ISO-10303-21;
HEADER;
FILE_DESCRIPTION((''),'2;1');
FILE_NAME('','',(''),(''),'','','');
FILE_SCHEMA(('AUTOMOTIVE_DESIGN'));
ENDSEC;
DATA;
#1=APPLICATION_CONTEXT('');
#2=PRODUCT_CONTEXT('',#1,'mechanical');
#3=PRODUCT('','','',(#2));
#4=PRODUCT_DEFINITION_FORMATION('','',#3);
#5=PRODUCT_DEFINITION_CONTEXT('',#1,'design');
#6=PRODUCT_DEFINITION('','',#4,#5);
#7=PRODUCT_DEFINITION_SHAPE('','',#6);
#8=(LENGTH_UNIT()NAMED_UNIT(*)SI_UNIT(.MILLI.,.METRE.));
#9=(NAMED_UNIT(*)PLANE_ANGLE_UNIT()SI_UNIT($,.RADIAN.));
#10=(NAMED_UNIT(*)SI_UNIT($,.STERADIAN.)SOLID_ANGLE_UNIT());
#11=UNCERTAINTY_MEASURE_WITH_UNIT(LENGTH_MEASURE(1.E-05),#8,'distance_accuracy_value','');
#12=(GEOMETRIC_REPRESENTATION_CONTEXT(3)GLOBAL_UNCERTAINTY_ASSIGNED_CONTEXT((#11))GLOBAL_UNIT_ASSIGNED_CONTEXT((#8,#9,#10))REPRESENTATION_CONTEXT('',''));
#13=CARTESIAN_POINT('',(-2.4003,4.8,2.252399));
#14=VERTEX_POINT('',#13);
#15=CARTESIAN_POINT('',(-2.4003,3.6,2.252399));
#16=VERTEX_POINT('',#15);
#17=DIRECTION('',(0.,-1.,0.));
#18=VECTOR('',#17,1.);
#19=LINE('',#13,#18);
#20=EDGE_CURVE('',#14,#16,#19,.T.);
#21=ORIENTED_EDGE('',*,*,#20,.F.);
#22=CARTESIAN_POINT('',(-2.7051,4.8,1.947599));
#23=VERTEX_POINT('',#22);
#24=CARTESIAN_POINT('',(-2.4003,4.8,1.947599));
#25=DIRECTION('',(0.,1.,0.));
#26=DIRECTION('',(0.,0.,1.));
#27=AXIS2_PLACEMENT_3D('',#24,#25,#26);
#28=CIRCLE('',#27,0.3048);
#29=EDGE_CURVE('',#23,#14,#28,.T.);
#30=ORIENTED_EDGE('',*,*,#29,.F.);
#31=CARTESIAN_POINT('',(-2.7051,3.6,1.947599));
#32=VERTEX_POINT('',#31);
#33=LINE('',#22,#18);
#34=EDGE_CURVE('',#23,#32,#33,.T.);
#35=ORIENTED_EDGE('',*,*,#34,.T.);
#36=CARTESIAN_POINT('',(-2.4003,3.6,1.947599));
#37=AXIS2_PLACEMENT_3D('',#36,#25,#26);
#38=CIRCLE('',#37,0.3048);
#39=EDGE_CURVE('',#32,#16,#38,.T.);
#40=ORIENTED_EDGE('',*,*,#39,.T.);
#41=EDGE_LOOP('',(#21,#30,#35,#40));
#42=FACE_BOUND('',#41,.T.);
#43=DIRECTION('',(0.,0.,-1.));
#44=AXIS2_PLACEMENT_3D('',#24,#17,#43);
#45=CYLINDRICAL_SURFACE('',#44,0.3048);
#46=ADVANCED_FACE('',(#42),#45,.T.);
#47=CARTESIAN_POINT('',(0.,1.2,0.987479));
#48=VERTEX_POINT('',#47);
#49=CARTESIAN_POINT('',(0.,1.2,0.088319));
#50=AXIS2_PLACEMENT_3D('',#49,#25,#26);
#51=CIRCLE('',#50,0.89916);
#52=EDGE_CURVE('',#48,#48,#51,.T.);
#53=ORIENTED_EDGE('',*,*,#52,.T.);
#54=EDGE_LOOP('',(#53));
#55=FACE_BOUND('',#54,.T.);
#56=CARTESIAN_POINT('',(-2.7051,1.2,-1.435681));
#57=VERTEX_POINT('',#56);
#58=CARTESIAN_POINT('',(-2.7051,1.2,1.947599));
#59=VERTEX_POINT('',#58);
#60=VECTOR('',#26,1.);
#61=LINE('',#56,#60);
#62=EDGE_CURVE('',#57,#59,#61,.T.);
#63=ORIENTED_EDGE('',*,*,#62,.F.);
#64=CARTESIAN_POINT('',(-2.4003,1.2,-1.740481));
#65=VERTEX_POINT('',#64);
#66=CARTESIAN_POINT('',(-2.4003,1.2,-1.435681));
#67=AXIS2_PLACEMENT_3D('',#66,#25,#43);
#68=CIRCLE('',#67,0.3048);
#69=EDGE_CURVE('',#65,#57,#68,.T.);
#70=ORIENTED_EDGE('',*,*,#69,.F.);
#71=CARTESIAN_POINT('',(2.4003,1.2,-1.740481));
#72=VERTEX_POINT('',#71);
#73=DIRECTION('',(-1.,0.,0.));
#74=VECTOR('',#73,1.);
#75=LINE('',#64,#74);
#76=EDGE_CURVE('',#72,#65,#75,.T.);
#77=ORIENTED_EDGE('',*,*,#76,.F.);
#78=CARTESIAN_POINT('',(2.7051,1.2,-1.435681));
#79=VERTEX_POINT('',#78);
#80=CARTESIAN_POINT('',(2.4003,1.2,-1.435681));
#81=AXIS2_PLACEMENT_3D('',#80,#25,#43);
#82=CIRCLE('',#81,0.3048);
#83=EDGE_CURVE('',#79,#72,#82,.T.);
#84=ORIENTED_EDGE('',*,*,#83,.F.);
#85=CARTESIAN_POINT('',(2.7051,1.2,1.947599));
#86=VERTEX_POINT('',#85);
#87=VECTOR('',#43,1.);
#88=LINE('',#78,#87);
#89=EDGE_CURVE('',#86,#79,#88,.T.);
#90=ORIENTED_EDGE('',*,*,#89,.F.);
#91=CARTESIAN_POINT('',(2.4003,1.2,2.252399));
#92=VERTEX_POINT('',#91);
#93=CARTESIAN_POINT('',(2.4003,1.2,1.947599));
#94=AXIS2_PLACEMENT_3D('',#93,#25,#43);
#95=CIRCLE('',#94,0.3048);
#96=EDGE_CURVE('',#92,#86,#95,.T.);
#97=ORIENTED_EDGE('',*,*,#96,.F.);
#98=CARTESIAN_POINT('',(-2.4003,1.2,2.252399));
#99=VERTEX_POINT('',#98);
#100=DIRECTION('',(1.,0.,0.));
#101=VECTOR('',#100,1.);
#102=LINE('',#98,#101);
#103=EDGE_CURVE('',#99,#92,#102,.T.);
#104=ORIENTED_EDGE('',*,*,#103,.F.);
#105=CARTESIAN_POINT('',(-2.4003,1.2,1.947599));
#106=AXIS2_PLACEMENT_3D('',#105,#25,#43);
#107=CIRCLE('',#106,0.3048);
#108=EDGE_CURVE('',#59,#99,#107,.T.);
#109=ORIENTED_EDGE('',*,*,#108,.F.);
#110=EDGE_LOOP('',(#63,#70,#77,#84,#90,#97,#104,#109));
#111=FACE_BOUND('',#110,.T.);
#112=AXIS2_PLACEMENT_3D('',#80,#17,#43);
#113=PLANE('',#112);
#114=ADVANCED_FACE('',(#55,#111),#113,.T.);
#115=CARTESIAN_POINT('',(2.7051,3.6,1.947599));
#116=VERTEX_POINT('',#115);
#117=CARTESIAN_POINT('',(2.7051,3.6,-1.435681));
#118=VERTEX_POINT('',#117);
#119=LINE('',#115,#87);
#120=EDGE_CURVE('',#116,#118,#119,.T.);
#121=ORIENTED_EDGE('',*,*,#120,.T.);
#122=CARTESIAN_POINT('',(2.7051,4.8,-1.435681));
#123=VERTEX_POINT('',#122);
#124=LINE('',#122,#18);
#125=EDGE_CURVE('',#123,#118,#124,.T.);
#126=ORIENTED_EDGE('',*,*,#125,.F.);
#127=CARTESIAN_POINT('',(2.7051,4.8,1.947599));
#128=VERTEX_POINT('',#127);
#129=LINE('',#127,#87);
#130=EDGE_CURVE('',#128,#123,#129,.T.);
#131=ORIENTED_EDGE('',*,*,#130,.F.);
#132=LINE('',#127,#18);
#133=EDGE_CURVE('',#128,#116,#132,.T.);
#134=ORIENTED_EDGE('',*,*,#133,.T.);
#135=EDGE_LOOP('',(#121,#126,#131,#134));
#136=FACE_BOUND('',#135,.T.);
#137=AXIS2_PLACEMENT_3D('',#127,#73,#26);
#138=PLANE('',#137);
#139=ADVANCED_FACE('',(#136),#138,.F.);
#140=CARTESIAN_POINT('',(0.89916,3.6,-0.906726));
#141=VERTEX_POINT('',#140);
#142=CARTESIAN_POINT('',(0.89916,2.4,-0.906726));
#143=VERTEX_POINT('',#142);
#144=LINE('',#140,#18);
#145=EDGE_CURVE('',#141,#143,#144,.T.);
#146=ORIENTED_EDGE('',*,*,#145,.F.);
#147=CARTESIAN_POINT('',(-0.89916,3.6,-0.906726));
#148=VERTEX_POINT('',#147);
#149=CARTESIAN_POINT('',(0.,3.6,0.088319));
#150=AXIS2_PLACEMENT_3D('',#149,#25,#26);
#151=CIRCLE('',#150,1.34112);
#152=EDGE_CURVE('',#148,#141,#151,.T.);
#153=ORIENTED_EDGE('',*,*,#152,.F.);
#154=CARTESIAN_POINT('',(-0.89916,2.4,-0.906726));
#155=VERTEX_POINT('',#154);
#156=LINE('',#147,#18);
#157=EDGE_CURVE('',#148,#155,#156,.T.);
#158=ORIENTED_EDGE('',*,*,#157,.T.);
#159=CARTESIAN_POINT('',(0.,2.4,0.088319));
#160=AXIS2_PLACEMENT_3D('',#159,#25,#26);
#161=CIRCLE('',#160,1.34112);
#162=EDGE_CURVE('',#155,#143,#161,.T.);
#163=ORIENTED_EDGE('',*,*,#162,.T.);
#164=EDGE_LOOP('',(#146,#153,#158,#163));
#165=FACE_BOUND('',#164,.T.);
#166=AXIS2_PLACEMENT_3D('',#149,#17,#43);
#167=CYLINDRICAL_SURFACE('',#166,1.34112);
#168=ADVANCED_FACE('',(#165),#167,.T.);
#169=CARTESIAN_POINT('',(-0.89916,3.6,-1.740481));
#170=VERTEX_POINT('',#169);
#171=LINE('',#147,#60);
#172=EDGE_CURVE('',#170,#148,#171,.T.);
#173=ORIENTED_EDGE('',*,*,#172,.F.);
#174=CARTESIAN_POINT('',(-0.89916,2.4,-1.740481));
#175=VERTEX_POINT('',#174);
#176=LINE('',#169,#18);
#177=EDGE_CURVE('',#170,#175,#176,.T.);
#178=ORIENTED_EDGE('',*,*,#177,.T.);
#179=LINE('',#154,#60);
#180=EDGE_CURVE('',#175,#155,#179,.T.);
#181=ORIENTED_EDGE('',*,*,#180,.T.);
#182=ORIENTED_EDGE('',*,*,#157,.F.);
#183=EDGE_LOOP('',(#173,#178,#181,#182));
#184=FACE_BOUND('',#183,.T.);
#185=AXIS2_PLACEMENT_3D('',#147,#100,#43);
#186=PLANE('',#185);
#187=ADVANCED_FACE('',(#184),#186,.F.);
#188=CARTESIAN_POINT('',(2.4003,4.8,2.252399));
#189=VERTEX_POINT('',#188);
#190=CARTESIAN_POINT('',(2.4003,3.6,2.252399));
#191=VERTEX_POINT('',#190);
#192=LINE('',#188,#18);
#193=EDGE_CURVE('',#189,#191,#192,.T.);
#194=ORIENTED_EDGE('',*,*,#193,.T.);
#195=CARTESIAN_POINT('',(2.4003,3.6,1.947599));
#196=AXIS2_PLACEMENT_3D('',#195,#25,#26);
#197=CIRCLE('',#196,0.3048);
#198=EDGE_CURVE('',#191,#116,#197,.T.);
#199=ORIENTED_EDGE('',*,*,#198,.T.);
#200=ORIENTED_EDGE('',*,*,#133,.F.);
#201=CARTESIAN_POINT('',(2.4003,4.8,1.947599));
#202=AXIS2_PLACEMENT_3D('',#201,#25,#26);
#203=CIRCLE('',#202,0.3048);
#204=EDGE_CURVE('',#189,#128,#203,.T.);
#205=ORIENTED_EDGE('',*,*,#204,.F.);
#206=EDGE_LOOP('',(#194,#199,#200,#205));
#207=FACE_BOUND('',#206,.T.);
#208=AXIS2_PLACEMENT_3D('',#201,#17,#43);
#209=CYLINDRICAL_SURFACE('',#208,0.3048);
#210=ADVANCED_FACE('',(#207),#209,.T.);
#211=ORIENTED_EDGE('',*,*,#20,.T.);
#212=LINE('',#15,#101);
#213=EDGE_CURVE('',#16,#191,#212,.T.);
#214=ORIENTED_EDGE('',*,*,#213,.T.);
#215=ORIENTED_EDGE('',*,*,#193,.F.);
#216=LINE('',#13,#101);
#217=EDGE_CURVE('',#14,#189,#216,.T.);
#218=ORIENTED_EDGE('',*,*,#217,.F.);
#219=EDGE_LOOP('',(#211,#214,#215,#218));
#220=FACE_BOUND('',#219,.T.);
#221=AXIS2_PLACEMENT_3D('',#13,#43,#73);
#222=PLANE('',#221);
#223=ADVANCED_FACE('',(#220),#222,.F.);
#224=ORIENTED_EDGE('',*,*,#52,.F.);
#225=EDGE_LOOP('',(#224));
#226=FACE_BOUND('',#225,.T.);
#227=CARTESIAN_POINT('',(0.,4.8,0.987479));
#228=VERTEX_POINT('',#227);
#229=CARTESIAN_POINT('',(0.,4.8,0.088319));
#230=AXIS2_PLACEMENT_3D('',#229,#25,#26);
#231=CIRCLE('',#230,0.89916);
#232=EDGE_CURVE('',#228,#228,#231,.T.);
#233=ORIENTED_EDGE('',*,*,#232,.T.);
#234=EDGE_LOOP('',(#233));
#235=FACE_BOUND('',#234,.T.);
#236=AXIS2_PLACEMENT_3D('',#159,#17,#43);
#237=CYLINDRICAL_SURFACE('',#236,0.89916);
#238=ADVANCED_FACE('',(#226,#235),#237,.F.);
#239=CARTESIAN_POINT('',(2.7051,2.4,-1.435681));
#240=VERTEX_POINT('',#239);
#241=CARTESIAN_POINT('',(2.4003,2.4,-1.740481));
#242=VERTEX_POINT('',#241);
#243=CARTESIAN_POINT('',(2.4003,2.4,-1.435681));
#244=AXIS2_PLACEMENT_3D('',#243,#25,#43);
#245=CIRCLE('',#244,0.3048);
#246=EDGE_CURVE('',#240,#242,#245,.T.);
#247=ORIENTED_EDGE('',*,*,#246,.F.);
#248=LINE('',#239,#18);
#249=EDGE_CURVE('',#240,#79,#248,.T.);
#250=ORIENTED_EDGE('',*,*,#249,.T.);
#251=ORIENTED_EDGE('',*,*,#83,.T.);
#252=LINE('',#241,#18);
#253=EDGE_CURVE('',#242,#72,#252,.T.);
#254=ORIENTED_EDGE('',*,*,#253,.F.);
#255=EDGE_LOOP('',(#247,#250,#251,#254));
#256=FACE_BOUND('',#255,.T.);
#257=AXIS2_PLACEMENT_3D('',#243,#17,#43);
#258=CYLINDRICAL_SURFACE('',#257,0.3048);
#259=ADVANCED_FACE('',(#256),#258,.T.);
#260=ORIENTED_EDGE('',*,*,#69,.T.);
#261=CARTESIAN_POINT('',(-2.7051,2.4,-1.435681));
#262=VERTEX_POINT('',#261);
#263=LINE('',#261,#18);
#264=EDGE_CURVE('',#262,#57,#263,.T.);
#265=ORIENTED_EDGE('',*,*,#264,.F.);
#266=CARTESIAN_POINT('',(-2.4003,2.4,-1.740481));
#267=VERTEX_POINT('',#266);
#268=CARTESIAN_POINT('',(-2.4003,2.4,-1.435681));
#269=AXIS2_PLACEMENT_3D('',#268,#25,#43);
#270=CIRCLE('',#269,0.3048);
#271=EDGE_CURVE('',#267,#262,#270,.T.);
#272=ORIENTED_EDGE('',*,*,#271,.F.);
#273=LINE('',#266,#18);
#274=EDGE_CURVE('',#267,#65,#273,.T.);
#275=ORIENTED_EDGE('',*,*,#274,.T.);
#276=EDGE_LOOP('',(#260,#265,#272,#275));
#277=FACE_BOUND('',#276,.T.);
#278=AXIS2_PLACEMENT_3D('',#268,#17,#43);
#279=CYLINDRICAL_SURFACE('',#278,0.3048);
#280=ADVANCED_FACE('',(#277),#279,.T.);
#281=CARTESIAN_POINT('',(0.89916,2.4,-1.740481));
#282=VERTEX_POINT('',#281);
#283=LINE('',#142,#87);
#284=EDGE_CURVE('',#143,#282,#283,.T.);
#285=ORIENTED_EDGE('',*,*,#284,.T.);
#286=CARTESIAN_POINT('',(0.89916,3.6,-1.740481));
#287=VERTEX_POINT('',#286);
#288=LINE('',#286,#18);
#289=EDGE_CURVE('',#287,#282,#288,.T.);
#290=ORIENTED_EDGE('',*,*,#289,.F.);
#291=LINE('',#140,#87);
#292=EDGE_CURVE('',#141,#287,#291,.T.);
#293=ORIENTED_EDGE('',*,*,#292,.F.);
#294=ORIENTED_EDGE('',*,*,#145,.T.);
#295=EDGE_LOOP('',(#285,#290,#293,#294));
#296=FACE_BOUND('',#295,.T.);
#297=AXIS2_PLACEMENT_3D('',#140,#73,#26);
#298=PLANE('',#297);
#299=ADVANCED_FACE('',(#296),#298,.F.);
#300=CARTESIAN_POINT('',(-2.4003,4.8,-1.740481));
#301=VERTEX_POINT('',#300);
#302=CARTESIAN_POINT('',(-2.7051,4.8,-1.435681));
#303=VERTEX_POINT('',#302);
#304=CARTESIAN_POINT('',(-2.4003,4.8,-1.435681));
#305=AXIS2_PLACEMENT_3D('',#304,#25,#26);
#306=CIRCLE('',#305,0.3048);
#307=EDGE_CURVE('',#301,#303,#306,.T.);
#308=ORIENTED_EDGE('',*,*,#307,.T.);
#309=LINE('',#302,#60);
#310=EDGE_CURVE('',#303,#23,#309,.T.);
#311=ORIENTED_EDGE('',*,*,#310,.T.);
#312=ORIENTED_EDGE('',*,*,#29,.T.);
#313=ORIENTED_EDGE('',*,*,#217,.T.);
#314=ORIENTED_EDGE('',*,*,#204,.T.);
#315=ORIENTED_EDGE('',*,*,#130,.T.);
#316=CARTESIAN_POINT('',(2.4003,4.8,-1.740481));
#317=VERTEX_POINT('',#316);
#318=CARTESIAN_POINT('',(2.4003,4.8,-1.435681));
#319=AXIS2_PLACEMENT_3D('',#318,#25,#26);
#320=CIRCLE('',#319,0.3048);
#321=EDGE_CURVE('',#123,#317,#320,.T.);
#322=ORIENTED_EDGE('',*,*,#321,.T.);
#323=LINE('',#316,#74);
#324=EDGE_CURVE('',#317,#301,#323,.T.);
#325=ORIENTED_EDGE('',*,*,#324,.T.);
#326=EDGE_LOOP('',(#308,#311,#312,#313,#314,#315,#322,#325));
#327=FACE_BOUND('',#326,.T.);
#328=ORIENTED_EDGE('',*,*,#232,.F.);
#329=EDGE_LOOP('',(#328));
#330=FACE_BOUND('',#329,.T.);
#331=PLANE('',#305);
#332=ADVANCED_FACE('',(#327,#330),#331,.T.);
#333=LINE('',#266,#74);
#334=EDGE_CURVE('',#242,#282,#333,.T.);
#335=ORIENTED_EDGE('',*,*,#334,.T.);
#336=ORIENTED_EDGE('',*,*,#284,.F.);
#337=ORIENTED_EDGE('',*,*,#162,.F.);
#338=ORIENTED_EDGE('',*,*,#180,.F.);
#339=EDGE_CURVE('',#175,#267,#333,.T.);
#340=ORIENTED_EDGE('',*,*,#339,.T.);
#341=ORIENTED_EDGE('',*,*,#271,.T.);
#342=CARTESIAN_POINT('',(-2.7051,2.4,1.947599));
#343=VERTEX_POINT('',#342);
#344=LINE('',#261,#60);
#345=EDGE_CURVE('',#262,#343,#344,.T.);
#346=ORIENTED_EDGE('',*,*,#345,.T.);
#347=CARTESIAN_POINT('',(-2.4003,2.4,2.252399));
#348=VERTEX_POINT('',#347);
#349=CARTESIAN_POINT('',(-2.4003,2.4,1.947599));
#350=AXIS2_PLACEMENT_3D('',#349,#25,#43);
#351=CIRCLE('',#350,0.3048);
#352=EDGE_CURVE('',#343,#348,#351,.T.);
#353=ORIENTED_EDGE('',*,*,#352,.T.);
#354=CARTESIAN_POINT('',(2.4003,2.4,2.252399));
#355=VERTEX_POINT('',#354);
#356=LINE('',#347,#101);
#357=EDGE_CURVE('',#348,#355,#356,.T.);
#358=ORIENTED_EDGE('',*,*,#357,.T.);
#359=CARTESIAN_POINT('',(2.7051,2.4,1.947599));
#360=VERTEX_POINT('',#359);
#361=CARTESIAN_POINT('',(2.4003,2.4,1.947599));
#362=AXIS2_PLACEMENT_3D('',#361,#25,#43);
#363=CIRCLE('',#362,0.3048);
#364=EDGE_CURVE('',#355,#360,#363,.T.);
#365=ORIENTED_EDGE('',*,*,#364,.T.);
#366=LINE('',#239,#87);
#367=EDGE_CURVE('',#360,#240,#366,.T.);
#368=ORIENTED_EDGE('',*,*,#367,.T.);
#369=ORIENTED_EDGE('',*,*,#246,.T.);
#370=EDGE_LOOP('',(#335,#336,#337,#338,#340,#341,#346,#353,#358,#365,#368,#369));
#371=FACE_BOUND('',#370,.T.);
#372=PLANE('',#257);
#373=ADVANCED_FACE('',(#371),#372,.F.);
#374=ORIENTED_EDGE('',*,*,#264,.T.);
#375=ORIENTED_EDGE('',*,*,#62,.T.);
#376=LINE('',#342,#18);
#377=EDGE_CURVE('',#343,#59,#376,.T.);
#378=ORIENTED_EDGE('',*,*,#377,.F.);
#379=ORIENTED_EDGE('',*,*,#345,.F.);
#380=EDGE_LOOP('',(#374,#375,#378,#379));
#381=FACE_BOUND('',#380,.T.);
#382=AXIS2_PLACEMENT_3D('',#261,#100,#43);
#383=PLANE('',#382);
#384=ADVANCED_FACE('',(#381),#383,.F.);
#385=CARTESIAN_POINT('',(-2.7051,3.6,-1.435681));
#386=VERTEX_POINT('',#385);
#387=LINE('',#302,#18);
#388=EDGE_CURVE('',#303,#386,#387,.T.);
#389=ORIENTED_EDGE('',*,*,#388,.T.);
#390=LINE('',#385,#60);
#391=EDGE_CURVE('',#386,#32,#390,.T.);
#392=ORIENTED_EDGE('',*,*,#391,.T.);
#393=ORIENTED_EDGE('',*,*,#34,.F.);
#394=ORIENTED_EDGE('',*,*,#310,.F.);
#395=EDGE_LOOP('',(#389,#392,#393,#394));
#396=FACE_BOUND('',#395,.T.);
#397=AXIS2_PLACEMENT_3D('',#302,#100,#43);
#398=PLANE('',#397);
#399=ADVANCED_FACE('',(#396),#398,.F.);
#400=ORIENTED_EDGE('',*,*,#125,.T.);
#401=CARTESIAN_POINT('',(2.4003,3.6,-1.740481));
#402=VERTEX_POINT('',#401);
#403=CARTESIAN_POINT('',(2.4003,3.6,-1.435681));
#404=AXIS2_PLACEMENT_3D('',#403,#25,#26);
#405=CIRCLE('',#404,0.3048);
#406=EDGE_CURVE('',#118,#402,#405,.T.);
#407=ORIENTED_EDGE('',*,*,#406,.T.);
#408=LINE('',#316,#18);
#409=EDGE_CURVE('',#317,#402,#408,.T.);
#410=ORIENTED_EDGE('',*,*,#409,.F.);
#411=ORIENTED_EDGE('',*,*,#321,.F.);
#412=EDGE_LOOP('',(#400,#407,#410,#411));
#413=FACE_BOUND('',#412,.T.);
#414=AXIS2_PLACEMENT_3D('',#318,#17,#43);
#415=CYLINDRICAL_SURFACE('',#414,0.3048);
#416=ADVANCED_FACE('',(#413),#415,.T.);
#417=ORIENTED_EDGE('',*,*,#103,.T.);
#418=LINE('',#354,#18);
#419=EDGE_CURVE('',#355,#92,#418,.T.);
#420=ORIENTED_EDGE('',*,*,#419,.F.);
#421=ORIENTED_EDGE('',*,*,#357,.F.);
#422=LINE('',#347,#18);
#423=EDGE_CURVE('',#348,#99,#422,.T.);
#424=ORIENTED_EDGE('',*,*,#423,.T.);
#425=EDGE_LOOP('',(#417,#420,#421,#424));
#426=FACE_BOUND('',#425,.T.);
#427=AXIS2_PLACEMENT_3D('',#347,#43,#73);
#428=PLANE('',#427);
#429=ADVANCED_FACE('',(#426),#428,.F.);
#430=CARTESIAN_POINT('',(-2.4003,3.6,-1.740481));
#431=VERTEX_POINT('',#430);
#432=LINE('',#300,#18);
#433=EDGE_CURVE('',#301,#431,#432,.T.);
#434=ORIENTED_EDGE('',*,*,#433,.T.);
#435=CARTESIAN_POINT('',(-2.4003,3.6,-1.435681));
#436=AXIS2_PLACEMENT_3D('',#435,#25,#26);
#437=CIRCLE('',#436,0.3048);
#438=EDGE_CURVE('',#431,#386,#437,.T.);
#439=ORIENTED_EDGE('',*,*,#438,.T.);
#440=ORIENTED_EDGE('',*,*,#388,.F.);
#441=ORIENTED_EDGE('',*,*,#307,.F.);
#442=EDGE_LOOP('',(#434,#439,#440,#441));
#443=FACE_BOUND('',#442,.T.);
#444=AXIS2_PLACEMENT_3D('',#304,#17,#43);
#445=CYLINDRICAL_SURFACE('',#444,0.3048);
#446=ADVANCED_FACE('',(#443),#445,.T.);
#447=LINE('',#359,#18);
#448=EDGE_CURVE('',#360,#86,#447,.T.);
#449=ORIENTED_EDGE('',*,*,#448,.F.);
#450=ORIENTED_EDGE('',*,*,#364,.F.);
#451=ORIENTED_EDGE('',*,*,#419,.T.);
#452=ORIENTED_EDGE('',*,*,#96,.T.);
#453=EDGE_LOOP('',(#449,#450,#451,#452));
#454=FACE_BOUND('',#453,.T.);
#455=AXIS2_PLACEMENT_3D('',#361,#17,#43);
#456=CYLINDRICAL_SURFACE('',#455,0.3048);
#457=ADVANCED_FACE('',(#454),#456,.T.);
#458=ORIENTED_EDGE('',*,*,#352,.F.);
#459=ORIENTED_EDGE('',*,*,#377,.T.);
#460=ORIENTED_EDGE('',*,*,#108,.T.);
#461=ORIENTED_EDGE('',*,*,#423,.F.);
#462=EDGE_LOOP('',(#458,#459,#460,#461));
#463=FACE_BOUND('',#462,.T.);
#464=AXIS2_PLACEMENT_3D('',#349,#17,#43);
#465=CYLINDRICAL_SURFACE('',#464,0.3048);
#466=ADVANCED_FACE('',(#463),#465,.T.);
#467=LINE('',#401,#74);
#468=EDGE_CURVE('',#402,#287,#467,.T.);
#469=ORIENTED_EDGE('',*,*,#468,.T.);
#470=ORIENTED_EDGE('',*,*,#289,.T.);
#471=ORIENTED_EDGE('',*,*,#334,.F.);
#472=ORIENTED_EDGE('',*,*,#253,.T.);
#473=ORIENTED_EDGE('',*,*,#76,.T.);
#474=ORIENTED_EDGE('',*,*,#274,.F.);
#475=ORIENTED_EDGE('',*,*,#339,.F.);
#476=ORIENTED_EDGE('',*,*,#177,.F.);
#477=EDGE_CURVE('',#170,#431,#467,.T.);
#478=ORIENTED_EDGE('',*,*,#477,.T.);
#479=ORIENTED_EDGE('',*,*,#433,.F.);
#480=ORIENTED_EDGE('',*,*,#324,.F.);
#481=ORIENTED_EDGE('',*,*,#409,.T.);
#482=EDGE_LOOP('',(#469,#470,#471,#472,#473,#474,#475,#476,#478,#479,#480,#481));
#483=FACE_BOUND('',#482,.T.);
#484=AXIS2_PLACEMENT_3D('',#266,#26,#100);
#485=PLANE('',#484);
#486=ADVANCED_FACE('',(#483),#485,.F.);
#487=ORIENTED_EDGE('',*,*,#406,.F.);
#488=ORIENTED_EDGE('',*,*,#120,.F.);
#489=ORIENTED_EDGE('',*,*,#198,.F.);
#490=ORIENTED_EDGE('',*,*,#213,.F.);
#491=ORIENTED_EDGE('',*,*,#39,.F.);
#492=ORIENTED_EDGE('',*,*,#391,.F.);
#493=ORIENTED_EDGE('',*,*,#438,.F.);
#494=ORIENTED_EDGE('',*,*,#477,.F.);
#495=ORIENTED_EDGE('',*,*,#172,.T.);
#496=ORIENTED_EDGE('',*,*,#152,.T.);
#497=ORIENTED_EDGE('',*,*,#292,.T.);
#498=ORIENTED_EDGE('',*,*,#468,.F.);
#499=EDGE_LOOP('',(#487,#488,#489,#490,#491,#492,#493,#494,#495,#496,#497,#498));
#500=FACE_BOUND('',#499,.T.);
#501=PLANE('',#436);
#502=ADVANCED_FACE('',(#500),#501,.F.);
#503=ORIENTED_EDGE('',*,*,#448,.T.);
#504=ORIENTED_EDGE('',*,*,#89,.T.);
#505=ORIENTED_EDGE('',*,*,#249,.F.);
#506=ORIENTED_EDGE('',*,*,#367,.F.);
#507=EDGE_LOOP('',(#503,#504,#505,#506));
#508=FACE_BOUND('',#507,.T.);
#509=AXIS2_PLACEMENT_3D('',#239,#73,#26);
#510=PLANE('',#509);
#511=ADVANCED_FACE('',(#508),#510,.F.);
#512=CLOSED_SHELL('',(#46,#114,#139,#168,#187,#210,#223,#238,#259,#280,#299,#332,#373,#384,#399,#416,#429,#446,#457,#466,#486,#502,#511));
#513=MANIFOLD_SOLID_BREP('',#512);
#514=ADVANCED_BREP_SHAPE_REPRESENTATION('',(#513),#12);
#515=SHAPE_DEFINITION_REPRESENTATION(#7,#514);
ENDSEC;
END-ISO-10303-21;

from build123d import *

# Parameters (mm, degrees)
SKETCH1_R           = 1.4986
BOSS_EXTRUDE1_DEPTH = 2
SKETCH2_R           = 1.4986
BOSS_EXTRUDE2_DEPTH = 2
SKETCH3_R           = 1.4986
BOSS_EXTRUDE3_DEPTH = 2
SCALE1_SCALE        = 0.6


with BuildPart() as part:
    # Sketch1 → Boss-Extrude1 (new body)
    with BuildSketch(Plane(origin=(0, 0, 0), x_dir=(1, 0, 0), z_dir=(0, 1, 0))):
        with BuildLine():
            Line((-4.5085, 2.54), (-4.5085, -3.0988))
            ThreePointArc((-4.5085, -3.0988), (-4.359710245, -3.458010245), (-4.0005, -3.6068))
            Line((-4.0005, -3.6068), (4.0005, -3.6068))
            ThreePointArc((4.0005, -3.6068), (4.359710245, -3.458010245), (4.5085, -3.0988))
            Line((4.5085, -3.0988), (4.5085, 2.54))
            ThreePointArc((4.5085, 2.54), (4.359710245, 2.899210245), (4.0005, 3.048))
            Line((4.0005, 3.048), (-4.0005, 3.048))
            ThreePointArc((-4.0005, 3.048), (-4.359710245, 2.899210245), (-4.5085, 2.54))
        make_face()
        with Locations(Location((0, 0, 0), (0, 0, 270))):
            Circle(SKETCH1_R, mode=Mode.SUBTRACT)
    extrude(amount=BOSS_EXTRUDE1_DEPTH)

    # Sketch2 → Boss-Extrude2 (add)
    with BuildSketch(Plane(origin=(0, 2, 0), x_dir=(1, 0, 0), z_dir=(0, 1, 0))):
        with BuildLine():
            Line((1.4986, 1.658407996), (1.4986, 3.048))
            Line((1.4986, 3.048), (-1.4986, 3.048))
            Line((-1.4986, 3.048), (-1.4986, 1.658407996))
            ThreePointArc((-1.4986, 1.658407996), (0, -2.2352), (1.4986, 1.658407996))
        make_face()
        with Locations(Location((0, 0, 0), (0, 0, 270))):
            Circle(SKETCH2_R, mode=Mode.SUBTRACT)
    extrude(amount=BOSS_EXTRUDE2_DEPTH)

    # Sketch3 → Boss-Extrude3 (add)
    with BuildSketch(Plane(origin=(0, 4, 0), x_dir=(1, 0, 0), z_dir=(0, 1, 0))):
        with BuildLine():
            Line((-4.5085, 2.54), (-4.5085, -3.0988))
            ThreePointArc((-4.5085, -3.0988), (-4.359710245, -3.458010245), (-4.0005, -3.6068))
            Line((-4.0005, -3.6068), (4.0005, -3.6068))
            ThreePointArc((4.0005, -3.6068), (4.359710245, -3.458010245), (4.5085, -3.0988))
            Line((4.5085, -3.0988), (4.5085, 2.54))
            ThreePointArc((4.5085, 2.54), (4.359710245, 2.899210245), (4.0005, 3.048))
            Line((4.0005, 3.048), (-4.0005, 3.048))
            ThreePointArc((-4.0005, 3.048), (-4.359710245, 2.899210245), (-4.5085, 2.54))
        make_face()
        with Locations(Location((0, 0, 0), (0, 0, 270))):
            Circle(SKETCH3_R, mode=Mode.SUBTRACT)
    extrude(amount=BOSS_EXTRUDE3_DEPTH)


with BuildPart() as part_1:
    # Scale1: scaled about (0, 3, 0.220798143)
    add(part.part.scale(SCALE1_SCALE).moved(Location((0, 1.2, 0.088319257))))


solid = part_1.part
